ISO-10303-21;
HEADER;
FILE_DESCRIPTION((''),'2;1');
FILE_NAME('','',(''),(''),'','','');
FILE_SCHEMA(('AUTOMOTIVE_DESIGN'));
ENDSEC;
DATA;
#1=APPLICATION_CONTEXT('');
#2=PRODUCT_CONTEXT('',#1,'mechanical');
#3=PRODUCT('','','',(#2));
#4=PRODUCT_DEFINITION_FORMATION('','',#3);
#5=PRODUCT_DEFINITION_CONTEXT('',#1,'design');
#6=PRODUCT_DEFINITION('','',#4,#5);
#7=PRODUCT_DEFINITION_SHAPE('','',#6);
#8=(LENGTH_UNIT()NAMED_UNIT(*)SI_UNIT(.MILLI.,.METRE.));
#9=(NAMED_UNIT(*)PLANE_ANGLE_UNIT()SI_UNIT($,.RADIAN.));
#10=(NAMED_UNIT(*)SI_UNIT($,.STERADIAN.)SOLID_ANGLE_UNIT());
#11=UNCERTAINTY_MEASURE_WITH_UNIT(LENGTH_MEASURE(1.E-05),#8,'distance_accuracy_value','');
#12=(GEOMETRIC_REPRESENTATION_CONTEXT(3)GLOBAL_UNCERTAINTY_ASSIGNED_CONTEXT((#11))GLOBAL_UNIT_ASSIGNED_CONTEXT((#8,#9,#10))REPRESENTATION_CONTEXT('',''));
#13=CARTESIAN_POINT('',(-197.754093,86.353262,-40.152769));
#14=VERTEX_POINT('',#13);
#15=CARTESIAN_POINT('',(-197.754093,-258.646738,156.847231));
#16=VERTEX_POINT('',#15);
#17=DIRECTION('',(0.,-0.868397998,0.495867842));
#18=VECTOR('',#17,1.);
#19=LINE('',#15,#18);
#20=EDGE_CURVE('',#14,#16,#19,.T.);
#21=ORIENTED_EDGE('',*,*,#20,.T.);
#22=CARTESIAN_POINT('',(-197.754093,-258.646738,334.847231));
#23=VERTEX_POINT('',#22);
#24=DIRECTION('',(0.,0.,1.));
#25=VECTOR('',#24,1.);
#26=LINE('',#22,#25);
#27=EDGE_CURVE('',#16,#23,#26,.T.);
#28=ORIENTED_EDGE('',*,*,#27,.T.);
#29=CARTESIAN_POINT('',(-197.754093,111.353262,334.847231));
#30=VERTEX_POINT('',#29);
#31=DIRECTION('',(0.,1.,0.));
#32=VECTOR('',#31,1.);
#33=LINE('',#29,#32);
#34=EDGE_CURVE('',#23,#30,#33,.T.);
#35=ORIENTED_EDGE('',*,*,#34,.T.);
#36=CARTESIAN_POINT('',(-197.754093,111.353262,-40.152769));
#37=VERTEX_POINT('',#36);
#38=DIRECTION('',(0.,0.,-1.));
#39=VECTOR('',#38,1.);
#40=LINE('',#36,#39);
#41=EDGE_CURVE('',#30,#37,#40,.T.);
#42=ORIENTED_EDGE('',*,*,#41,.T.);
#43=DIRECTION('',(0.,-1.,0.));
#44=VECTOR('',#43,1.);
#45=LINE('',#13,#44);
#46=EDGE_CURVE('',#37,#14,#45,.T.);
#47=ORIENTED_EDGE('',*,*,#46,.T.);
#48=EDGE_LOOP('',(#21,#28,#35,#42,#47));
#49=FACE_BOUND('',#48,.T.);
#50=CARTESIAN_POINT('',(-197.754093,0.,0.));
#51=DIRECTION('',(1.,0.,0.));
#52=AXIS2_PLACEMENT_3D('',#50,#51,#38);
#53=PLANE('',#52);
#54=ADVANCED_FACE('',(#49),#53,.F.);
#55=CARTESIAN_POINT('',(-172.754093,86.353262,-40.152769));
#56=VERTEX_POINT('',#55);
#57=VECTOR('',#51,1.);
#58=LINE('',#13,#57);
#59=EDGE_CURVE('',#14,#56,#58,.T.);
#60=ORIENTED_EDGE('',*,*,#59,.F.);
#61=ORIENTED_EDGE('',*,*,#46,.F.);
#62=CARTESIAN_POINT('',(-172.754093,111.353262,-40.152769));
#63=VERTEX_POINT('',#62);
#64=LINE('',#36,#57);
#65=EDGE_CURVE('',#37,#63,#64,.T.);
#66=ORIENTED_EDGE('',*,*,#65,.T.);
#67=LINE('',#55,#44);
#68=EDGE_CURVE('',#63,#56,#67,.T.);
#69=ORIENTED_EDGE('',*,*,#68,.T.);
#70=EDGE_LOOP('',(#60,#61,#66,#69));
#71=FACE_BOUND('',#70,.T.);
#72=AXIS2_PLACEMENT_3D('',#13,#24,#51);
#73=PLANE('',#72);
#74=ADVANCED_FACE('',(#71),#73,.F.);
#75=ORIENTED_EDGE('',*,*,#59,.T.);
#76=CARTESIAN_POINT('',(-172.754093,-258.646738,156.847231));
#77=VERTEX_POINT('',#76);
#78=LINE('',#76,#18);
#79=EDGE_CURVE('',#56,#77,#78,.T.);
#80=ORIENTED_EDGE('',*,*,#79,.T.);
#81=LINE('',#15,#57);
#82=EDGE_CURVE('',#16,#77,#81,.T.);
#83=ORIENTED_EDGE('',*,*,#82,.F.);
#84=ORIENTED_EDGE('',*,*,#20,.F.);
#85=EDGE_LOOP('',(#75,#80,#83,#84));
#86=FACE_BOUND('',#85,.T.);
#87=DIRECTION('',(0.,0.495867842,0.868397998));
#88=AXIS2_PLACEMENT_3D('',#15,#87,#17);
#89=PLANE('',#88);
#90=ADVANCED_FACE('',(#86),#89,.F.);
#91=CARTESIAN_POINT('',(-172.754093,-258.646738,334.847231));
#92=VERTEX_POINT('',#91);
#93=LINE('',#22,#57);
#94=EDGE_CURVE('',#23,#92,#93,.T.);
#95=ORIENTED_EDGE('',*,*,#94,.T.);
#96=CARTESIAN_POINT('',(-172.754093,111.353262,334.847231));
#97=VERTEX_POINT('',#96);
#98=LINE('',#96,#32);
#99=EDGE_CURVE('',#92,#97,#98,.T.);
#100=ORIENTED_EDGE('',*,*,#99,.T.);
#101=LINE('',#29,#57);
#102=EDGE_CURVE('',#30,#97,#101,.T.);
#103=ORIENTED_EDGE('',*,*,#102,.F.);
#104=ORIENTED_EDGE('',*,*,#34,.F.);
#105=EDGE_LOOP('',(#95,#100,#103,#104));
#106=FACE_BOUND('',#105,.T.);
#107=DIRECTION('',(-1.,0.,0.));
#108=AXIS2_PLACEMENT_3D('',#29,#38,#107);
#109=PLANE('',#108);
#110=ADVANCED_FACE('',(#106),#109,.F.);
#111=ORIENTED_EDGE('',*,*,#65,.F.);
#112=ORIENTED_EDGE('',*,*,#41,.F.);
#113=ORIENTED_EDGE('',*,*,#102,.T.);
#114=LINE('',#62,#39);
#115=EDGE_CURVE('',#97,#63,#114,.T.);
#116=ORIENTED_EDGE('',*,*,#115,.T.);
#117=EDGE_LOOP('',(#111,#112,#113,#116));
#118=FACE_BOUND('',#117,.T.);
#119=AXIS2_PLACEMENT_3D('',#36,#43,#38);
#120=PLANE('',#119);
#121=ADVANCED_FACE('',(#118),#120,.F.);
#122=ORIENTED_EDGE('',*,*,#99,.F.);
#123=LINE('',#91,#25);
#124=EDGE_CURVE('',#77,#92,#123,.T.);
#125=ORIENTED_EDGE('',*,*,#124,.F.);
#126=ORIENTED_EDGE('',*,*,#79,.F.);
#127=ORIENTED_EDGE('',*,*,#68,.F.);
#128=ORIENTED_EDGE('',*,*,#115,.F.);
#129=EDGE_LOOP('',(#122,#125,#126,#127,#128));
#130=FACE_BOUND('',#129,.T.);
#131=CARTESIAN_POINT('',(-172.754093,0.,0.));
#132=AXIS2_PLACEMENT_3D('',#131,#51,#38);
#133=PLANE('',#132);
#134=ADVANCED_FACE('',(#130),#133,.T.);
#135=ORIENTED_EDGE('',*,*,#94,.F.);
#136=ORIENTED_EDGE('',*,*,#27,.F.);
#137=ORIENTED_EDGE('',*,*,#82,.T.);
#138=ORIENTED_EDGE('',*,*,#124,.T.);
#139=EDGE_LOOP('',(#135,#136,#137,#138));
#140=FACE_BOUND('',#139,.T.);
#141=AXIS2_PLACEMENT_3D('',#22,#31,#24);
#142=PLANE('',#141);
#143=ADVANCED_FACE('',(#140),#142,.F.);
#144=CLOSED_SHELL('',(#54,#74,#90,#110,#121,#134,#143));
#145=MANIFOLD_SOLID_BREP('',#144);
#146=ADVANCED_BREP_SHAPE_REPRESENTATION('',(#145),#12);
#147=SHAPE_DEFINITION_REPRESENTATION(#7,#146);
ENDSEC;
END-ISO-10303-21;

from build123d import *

# Parameters (mm, degrees)
SALIENTE_EXTRUIR1_DEPTH      = 5
SALIENTE_EXTRUIR1_DEPTH_BACK = 20


with BuildPart() as part:
    # Croquis2 → Saliente-Extruir1 (new, two sides: drawn at the far end of the back side and taken through both)
    with BuildSketch(Plane.ZY.offset(192.754092983).offset(-SALIENTE_EXTRUIR1_DEPTH_BACK)):
        Polygon((334.847231333, 111.353262199), (334.847231333, -258.646737801), (156.847231333, -258.646737801), (-40.152768667, 86.353262199), (-40.152768667, 111.353262199), align=None)
    extrude(amount=SALIENTE_EXTRUIR1_DEPTH + SALIENTE_EXTRUIR1_DEPTH_BACK)


solid = part.part
